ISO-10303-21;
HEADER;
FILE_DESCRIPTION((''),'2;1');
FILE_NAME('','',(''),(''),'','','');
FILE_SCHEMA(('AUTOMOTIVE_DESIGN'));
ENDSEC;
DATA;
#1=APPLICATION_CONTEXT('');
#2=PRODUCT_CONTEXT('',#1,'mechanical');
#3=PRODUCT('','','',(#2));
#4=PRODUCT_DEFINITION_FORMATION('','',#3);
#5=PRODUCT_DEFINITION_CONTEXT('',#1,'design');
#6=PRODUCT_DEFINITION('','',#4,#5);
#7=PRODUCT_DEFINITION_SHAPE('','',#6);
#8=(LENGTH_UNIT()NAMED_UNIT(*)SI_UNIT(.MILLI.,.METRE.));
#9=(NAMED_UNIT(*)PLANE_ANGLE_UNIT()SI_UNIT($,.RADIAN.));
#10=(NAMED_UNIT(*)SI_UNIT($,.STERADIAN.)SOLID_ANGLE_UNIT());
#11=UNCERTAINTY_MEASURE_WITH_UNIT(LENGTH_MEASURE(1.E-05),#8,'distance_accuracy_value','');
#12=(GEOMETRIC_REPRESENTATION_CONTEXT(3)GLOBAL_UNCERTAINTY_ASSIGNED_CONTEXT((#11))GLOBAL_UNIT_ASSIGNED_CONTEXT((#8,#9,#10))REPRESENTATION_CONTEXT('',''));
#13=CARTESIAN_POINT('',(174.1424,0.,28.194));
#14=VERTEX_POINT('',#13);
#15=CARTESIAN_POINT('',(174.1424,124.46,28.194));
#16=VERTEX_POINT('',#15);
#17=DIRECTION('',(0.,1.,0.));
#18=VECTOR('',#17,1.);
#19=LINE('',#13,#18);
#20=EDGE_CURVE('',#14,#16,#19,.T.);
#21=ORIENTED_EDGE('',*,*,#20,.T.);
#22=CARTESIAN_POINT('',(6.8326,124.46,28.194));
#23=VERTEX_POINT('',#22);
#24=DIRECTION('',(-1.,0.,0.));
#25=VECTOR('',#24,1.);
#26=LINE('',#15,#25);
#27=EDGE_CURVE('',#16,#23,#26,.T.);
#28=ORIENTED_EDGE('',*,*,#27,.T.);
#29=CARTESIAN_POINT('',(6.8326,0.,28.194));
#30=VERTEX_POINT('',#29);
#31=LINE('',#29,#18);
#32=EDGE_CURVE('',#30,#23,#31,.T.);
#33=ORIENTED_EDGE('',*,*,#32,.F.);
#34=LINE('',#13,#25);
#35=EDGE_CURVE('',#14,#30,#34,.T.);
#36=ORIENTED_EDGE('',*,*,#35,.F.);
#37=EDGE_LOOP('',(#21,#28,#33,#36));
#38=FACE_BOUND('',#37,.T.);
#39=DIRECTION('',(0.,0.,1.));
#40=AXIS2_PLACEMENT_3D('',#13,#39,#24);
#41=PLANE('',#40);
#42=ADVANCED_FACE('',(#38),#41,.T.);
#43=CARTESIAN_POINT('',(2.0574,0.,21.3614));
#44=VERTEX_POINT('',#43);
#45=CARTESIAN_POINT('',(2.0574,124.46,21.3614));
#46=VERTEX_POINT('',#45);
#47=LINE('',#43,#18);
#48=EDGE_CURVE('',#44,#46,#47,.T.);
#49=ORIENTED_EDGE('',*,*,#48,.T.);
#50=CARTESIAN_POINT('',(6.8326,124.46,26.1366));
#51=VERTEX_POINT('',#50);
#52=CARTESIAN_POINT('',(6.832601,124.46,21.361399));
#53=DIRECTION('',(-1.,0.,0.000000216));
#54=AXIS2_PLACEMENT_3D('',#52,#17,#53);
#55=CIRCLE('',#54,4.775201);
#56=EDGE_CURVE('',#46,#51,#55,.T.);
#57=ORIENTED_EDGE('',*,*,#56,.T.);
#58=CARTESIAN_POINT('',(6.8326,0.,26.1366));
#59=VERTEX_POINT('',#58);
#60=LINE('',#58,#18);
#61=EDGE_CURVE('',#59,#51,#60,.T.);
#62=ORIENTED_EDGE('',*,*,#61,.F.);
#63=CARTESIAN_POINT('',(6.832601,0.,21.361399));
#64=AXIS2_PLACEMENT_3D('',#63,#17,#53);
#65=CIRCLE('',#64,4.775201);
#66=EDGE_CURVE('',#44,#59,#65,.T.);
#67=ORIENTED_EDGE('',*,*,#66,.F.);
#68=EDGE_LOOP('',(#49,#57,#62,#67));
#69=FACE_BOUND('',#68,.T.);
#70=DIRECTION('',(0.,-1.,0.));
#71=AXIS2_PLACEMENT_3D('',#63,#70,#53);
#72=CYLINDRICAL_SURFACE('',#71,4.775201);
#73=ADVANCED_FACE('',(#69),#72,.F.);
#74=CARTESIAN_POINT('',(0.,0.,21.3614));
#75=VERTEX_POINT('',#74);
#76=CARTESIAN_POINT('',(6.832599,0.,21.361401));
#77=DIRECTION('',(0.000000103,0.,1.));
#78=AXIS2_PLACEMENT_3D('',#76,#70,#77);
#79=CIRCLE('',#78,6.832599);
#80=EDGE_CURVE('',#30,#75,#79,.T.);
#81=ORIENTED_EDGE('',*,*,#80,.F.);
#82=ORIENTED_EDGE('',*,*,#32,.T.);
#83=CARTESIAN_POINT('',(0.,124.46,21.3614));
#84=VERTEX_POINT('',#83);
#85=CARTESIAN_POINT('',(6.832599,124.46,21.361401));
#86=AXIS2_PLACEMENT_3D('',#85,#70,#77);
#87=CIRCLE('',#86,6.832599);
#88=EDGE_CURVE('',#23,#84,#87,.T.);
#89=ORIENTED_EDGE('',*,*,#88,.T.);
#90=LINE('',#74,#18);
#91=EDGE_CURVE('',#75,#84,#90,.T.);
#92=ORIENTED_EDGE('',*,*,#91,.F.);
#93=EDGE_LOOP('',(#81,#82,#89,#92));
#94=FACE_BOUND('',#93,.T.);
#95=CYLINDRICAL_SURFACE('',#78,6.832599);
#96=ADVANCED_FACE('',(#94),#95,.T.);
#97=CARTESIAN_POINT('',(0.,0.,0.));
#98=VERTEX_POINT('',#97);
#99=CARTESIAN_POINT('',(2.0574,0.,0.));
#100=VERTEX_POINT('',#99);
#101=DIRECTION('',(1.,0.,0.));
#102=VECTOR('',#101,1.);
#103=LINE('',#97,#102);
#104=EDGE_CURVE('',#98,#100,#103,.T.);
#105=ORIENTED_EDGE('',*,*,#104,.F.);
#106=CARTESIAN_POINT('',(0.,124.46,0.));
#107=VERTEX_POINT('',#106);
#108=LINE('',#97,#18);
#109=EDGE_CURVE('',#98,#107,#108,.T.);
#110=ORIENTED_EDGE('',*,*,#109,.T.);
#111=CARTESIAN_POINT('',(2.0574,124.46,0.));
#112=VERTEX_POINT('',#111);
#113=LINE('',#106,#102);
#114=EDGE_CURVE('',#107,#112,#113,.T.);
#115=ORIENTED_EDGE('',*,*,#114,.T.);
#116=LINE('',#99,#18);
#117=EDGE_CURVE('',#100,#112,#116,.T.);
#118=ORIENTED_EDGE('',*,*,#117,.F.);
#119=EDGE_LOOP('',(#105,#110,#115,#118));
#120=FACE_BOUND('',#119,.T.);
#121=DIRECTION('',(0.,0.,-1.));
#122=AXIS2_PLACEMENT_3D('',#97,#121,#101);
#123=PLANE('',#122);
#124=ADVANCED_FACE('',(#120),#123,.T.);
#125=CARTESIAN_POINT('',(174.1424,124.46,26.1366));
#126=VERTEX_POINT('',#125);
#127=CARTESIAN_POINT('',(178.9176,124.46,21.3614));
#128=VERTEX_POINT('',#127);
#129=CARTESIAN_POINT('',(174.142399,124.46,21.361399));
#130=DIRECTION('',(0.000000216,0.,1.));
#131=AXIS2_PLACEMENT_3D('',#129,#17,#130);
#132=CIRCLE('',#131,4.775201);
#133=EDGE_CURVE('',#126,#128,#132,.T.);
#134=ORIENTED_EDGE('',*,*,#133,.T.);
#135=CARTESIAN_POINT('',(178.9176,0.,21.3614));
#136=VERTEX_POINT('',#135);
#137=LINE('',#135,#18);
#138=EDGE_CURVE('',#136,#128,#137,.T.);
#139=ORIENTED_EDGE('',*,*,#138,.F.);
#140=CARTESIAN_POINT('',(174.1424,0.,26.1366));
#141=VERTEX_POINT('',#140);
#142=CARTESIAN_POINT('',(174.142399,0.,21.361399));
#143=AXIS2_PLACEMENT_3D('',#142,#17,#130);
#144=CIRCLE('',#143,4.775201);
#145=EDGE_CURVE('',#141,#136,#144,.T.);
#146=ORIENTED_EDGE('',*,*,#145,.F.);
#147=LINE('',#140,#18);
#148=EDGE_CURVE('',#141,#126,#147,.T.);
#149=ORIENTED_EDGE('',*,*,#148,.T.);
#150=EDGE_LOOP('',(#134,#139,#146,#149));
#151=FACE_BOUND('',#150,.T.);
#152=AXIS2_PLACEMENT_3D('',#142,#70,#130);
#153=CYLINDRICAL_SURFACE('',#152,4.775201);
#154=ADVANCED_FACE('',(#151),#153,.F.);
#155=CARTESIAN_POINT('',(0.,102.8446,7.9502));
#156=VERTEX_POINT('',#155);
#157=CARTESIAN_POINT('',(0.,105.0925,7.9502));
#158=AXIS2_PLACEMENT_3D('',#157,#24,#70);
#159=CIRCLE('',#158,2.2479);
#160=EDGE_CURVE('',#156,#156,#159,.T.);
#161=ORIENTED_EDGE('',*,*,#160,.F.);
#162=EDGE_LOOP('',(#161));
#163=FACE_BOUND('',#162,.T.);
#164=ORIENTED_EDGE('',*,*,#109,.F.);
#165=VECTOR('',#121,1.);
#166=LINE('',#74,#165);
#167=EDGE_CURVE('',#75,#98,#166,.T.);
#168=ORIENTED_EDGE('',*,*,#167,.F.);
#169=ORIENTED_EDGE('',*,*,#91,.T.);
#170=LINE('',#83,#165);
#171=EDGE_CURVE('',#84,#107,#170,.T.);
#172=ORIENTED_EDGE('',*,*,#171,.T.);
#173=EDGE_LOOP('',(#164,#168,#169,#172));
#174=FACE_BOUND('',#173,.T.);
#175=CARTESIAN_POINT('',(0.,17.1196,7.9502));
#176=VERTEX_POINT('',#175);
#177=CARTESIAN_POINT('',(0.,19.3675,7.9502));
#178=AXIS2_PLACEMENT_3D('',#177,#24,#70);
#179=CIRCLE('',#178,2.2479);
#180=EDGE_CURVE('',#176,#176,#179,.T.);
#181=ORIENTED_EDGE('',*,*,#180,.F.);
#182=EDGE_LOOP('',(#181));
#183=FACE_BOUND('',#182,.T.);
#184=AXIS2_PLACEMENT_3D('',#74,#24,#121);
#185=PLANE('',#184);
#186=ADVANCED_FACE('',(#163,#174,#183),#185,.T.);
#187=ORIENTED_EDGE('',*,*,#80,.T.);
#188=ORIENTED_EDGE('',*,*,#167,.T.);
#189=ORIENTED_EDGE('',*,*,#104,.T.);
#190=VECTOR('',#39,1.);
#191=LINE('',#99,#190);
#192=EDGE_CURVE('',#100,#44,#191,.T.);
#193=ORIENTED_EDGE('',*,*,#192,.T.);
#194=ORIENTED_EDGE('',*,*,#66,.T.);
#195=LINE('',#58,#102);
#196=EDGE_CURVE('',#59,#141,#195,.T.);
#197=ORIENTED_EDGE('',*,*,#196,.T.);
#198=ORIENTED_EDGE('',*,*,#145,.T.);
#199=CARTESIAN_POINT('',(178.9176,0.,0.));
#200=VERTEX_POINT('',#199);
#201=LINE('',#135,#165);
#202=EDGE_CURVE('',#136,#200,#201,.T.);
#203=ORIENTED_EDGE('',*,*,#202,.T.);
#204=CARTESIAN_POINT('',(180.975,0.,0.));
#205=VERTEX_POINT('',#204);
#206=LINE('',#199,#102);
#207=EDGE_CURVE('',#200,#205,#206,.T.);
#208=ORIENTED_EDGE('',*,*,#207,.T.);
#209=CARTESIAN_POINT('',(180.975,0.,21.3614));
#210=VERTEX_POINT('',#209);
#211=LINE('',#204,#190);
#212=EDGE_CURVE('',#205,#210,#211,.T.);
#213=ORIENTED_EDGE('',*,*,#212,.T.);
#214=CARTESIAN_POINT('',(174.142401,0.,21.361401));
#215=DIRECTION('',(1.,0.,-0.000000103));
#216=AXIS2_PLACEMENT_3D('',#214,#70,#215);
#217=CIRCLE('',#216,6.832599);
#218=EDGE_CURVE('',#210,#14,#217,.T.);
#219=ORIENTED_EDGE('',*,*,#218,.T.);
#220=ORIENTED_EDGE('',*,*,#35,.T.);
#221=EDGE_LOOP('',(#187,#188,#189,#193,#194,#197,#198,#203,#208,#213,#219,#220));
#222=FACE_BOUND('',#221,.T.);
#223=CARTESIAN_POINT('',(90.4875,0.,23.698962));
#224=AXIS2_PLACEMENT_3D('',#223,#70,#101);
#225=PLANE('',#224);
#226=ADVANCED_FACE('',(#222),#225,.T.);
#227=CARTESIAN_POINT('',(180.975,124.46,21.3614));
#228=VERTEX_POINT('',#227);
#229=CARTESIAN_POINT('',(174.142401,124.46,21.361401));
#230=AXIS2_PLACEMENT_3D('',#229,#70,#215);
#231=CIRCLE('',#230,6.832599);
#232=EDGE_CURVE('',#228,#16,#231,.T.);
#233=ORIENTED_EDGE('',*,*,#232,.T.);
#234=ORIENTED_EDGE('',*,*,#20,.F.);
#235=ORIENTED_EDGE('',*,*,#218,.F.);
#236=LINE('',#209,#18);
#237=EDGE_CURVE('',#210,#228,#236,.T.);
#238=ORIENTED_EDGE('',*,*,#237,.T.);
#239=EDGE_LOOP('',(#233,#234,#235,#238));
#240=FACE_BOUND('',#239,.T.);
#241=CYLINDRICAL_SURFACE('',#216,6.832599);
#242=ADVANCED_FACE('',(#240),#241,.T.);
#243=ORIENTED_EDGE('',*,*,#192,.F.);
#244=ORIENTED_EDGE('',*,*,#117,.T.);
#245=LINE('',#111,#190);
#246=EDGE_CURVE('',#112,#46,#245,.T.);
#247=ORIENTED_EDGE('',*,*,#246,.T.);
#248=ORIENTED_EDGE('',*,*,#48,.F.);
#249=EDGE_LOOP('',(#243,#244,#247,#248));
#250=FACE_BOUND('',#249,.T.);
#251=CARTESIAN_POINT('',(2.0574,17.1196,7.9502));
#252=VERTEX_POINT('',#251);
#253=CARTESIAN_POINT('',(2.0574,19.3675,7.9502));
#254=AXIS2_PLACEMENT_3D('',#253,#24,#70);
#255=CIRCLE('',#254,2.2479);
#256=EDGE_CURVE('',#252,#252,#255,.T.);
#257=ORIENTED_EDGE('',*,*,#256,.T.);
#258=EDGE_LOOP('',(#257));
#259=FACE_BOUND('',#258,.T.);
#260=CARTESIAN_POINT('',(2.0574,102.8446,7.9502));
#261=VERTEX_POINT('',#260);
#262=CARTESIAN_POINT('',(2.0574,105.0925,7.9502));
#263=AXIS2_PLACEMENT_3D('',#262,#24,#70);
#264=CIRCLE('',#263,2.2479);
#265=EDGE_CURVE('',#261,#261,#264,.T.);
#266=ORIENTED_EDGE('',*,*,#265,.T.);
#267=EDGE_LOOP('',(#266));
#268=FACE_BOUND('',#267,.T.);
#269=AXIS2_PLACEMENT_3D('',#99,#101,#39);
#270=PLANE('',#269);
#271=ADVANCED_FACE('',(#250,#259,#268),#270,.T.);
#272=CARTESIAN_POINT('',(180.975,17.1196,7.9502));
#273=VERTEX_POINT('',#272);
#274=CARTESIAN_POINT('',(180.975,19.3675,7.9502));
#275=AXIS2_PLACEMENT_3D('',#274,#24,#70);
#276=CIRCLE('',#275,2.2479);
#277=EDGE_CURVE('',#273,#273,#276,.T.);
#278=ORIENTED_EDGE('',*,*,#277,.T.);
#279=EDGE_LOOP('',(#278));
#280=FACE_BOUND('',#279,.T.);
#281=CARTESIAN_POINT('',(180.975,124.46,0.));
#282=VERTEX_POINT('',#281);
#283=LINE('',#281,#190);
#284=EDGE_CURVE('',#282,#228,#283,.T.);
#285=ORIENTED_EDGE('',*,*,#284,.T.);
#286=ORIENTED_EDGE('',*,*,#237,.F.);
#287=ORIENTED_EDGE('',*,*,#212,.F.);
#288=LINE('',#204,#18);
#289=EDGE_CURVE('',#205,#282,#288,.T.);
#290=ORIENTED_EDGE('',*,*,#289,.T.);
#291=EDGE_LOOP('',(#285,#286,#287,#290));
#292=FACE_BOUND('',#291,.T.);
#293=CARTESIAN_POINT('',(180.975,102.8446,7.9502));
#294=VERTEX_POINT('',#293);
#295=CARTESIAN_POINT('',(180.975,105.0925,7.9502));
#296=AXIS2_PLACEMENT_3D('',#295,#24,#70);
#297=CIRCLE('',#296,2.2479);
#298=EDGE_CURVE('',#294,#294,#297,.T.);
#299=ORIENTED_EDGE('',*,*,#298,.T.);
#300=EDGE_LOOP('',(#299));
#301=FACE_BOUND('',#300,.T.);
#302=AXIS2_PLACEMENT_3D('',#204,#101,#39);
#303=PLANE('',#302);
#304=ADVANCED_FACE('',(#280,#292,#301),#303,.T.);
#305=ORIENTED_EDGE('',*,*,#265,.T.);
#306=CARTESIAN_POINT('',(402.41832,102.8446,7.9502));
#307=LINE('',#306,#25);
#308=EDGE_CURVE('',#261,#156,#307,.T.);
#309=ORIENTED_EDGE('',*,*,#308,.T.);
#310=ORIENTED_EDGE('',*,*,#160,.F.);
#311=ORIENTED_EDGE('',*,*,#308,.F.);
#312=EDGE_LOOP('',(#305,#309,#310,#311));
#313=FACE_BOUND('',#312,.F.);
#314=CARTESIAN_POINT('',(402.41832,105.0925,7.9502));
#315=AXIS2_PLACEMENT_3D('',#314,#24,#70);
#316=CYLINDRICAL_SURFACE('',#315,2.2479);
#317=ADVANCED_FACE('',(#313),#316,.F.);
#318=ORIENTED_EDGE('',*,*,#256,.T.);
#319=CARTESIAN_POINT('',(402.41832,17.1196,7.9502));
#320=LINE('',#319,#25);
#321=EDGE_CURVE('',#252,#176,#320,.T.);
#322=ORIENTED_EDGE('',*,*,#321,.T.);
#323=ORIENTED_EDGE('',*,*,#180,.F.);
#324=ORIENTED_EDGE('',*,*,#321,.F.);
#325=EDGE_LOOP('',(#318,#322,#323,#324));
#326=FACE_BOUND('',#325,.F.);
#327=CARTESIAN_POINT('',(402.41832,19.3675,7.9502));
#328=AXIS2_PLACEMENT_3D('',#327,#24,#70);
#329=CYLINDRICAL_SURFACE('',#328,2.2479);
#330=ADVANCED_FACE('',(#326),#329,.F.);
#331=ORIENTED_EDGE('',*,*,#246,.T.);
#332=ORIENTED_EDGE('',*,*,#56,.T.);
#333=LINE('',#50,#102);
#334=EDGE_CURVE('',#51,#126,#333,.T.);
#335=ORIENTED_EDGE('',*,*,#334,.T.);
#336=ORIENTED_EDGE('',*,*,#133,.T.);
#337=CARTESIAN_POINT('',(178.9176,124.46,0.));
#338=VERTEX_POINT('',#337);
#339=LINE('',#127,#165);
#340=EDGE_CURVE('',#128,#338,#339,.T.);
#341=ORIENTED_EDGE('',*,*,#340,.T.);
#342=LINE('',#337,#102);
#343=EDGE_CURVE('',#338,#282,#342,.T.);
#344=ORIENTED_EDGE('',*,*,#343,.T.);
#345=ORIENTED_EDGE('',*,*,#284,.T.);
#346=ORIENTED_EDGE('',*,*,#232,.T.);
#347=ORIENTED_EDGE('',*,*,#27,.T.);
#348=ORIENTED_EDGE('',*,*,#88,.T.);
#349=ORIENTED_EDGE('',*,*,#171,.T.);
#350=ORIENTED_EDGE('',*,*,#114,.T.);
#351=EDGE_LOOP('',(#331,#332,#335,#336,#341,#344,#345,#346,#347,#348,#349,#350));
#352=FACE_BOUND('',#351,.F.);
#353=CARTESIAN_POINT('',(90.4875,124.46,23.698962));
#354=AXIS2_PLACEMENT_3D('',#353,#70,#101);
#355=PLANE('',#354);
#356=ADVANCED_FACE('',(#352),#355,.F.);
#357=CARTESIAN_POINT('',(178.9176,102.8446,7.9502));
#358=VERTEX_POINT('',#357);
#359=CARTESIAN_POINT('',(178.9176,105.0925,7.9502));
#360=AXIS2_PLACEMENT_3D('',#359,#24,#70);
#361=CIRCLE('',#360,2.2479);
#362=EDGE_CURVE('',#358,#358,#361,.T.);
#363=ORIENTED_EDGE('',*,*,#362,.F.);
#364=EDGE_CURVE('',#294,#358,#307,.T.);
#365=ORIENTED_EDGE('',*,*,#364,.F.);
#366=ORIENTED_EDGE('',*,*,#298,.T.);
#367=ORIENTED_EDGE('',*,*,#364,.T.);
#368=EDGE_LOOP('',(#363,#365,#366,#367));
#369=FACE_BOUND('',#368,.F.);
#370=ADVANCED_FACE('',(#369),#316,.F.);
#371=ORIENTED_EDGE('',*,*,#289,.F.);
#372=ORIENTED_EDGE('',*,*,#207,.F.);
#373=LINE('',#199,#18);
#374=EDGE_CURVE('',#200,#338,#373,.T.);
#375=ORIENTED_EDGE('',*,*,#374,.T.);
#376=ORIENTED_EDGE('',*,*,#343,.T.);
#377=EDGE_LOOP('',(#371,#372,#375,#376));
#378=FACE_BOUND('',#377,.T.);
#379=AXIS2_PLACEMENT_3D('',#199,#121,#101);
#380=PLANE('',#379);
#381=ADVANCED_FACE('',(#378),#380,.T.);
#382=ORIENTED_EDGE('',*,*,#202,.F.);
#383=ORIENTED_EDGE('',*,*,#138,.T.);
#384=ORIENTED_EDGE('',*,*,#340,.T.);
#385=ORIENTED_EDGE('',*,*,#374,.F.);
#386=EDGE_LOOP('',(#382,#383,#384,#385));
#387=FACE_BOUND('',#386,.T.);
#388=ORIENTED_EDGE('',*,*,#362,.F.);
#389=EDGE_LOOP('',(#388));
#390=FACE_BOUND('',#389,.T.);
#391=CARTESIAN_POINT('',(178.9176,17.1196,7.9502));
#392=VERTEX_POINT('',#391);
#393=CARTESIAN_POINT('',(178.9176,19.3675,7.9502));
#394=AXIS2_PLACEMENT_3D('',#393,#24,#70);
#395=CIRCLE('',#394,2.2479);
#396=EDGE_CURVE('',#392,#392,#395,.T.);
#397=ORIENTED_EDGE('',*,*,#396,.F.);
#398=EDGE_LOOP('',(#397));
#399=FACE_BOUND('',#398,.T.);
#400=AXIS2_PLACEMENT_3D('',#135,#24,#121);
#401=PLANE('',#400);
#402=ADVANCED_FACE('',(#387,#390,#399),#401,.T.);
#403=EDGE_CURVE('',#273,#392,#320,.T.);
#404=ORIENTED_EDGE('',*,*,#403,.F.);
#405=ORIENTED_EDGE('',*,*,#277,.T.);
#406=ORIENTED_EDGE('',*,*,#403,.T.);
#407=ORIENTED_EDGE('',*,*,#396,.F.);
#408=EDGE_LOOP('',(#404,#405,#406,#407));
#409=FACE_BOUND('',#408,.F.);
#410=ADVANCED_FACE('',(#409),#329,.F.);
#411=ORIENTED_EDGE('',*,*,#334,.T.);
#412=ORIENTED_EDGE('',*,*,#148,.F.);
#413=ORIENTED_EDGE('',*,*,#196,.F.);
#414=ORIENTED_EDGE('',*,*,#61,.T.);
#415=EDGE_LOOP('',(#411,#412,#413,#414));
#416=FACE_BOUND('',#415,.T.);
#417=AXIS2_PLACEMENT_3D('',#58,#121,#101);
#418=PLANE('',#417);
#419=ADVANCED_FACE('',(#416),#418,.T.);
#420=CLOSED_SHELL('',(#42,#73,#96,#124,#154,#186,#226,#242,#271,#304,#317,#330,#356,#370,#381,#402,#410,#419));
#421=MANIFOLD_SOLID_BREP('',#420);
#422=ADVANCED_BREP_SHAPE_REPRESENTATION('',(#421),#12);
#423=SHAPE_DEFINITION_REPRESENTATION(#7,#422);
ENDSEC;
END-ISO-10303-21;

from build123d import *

# Parameters (mm, degrees)
F1_DEPTH = 124.46
F3_D     = 4.4958


with BuildPart() as f1:
    # F0 (on Front) → F1 (new body)
    with BuildSketch(Plane.XZ):
        with BuildLine():
            Line((0, 21.3614), (0, 0))
            Line((0, 0), (2.0574, 0))
            Line((2.0574, 0), (2.0574, 21.3614))
            ThreePointArc((2.0574, 21.3614), (3.456024, 24.737976), (6.8326, 26.1366))
            Line((6.8326, 26.1366), (174.1424, 26.1366))
            ThreePointArc((174.1424, 26.1366), (177.518976, 24.737976), (178.9176, 21.3614))
            Line((178.9176, 21.3614), (178.9176, 0))
            Line((178.9176, 0), (180.975, 0))
            Line((180.975, 0), (180.975, 21.3614))
            ThreePointArc((180.975, 21.3614), (178.973778, 26.192778), (174.1424, 28.194))
            Line((174.1424, 28.194), (6.8326, 28.194))
            ThreePointArc((6.8326, 28.194), (2.001222, 26.192778), (0, 21.3614))
        make_face()
    extrude(amount=-F1_DEPTH)

    # F3 (through all)
    with Locations(Plane.YZ.offset(180.975)):
        with Locations((19.3675, 7.9502), (105.0925, 7.9502)):
            Hole(F3_D / 2)


solid = f1.part
